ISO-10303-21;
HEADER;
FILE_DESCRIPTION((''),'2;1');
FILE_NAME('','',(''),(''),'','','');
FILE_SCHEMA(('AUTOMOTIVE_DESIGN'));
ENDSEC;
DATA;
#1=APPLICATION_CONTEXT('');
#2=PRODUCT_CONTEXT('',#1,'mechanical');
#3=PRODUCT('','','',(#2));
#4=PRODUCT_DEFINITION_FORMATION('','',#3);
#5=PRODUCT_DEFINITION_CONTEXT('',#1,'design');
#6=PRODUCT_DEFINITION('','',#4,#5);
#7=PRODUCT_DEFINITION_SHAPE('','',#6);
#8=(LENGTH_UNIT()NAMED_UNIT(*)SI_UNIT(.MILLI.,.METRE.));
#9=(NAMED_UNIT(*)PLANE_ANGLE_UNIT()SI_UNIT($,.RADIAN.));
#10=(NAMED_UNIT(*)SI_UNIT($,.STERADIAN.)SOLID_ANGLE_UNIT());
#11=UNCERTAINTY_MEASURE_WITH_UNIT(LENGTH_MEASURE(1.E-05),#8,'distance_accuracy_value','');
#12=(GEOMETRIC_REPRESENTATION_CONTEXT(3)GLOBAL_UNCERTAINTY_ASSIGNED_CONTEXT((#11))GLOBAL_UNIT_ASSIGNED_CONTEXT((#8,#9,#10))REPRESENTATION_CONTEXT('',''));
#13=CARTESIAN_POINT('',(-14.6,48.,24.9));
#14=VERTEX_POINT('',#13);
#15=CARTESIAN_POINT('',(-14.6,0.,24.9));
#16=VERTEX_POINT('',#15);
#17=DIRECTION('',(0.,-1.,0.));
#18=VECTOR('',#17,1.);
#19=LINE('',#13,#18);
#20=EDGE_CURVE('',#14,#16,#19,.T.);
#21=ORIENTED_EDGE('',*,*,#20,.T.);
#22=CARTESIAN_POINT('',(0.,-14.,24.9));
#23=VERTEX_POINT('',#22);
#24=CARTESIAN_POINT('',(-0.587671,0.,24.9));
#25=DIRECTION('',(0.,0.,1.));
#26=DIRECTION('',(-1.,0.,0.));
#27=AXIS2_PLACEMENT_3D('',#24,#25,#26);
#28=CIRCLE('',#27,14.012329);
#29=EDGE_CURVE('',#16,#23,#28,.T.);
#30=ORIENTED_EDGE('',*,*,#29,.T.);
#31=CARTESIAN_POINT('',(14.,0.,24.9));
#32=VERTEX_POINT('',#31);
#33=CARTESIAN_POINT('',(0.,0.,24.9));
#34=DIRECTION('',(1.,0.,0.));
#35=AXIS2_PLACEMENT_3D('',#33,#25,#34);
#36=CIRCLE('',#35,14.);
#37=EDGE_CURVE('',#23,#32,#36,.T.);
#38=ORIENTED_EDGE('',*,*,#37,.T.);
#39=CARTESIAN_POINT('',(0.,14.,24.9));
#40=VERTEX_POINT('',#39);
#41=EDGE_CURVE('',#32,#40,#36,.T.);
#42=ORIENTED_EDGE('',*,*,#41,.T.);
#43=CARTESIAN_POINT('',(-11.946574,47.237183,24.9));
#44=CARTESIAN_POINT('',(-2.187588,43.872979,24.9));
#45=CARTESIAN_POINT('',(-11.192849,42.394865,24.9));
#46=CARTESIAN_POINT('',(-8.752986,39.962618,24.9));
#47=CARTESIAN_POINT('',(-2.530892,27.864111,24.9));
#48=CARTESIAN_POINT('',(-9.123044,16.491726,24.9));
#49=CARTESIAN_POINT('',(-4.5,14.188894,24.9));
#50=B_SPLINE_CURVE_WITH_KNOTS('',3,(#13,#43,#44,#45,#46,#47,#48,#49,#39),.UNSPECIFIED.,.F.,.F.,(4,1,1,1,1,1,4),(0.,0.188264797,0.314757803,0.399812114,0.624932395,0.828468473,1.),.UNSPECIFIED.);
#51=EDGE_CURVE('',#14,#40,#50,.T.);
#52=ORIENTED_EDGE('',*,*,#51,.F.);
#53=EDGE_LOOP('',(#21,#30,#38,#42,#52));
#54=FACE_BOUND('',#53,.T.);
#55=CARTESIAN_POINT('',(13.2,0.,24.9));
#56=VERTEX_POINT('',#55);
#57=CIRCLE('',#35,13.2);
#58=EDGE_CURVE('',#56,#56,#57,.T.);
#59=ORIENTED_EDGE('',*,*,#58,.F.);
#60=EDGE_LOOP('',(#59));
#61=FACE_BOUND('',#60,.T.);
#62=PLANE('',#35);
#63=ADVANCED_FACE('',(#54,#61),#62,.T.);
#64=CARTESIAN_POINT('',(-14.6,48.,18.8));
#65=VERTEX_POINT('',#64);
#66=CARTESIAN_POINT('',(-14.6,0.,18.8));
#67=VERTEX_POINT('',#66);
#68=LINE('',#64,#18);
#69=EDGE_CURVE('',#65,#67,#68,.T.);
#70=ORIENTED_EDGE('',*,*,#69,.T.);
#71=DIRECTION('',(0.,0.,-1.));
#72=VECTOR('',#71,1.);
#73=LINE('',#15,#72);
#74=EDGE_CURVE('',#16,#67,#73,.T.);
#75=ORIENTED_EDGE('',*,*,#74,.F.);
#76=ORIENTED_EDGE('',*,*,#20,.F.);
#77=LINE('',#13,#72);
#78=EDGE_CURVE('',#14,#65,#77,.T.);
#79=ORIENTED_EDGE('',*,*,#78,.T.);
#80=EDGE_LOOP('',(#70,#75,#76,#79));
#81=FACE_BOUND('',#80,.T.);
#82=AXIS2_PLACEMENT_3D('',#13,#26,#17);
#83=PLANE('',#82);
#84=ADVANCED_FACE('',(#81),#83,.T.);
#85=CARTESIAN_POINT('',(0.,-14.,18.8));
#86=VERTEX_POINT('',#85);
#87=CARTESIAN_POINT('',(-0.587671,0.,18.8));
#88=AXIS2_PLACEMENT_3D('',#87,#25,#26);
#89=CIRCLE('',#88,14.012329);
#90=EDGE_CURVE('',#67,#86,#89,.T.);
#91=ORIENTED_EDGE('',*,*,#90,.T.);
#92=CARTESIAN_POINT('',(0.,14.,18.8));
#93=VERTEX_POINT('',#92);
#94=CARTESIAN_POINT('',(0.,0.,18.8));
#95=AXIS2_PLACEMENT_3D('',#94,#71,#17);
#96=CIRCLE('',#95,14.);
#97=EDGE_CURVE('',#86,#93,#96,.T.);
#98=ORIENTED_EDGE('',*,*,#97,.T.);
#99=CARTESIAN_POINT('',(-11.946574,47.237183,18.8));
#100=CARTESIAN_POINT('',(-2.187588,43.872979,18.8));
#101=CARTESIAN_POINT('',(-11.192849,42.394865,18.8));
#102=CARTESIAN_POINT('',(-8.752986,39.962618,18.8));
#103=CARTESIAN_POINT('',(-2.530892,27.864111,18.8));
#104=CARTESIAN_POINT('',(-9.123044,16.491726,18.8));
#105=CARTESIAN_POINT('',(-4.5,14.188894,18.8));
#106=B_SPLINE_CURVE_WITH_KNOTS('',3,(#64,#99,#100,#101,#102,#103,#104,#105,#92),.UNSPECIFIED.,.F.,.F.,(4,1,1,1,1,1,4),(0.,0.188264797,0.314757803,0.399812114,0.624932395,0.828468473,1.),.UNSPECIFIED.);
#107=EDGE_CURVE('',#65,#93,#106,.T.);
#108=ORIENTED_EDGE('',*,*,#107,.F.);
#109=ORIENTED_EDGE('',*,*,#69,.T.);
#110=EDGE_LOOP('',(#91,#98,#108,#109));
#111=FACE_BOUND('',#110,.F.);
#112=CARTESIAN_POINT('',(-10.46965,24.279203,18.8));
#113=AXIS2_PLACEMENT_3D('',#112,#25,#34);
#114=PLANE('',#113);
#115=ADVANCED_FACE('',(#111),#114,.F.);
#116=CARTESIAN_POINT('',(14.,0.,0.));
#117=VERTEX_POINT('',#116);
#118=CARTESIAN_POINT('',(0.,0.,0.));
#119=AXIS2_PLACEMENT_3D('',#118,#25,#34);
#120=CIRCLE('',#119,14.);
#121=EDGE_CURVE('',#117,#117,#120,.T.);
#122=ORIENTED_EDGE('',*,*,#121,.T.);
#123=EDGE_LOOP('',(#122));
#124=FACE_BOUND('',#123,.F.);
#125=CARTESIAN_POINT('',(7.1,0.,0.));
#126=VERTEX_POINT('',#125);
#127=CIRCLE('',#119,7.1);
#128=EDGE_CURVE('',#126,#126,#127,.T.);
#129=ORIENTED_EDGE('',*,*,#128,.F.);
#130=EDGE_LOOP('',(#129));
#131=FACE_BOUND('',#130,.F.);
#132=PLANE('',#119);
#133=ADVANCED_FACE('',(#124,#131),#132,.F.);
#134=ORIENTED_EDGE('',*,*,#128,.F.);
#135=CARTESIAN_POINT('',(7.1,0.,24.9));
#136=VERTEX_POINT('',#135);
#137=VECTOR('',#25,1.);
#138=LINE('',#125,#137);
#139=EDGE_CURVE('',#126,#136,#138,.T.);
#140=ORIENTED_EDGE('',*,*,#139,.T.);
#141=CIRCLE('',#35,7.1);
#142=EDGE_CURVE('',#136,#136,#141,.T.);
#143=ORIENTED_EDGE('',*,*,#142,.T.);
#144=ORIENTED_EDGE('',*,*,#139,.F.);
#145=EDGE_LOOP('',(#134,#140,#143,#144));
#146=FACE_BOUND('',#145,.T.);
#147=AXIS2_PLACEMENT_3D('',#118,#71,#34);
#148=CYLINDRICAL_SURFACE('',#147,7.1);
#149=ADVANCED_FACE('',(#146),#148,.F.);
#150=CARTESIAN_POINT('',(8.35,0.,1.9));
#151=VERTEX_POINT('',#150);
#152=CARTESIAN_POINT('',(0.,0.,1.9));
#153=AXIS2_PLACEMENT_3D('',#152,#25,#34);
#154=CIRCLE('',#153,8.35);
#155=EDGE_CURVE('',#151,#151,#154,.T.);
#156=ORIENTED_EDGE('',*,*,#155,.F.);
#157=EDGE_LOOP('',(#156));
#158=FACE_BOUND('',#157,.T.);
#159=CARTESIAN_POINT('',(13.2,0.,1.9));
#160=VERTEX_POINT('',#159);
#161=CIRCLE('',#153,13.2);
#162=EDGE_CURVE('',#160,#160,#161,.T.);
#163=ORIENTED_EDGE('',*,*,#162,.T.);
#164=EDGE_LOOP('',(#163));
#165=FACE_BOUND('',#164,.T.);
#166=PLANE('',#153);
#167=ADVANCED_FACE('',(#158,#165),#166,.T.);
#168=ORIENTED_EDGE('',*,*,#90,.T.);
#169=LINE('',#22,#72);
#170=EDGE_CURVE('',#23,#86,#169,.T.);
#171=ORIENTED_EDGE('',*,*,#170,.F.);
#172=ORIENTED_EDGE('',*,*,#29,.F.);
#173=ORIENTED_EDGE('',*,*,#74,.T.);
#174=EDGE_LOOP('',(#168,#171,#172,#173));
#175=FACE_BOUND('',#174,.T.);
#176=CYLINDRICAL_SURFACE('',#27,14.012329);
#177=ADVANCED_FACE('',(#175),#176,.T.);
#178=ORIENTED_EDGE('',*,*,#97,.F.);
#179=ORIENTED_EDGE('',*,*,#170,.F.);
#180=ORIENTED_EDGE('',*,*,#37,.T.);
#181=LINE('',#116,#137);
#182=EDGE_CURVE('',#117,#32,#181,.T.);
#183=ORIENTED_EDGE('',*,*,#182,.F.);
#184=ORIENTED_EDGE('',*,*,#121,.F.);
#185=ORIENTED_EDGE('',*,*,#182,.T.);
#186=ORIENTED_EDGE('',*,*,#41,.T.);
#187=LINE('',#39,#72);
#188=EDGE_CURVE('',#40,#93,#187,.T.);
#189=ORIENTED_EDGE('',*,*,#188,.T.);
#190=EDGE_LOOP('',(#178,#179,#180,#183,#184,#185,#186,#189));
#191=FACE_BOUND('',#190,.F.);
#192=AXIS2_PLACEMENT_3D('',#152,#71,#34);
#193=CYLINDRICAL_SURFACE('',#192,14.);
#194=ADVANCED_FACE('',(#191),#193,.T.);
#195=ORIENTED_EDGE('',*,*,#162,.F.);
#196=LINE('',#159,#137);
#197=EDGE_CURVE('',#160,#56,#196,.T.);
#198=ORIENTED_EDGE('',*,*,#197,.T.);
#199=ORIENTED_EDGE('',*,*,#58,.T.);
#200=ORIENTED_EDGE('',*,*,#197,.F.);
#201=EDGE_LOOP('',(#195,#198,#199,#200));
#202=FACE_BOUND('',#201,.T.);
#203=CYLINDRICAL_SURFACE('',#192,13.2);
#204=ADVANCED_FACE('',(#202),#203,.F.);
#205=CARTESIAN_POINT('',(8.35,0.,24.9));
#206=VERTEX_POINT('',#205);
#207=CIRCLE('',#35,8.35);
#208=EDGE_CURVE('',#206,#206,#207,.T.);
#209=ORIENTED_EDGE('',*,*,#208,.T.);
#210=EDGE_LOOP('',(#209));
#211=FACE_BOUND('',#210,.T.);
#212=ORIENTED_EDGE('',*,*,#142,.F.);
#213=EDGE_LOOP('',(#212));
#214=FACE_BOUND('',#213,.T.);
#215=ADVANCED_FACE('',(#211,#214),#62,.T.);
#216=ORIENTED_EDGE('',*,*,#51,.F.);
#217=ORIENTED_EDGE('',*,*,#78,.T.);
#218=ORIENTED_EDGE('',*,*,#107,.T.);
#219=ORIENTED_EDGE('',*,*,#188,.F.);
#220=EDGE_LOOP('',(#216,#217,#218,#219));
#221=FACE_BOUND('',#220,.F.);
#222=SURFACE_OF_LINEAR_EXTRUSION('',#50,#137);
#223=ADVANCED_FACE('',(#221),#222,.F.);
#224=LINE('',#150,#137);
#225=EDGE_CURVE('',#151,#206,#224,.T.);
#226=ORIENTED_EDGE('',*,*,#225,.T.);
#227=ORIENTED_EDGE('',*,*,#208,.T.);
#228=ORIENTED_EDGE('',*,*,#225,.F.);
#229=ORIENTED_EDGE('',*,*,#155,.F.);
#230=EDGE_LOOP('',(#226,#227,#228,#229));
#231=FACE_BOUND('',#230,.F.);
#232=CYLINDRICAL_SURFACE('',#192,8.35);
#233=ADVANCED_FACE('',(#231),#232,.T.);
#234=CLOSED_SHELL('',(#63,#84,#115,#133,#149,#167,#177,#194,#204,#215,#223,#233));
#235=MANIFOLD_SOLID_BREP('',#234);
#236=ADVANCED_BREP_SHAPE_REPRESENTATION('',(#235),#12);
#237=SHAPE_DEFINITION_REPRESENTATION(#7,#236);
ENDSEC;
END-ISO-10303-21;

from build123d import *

# Parameters (mm, degrees)
F0_R     = 14
F0_R_2   = 7.1
F1_DEPTH = 1.9
F2_R     = 14
F2_R_2   = 13.2
F2_R_3   = 8.35
F2_R_4   = 7.1
F3_DEPTH = 23
F5_DEPTH = 6.1


with BuildPart() as f1:
    # F0 (on Top) → F1 (new body)
    with BuildSketch(Plane.XY):
        Circle(F0_R)
        Circle(F0_R_2, mode=Mode.SUBTRACT)
    extrude(amount=F1_DEPTH)

    # F2 (on face) → F3 (join)
    with BuildSketch(Plane.XY.offset(1.9)):
        Circle(F2_R)
        Circle(F2_R_2, mode=Mode.SUBTRACT)
        Circle(F2_R_3)
        Circle(F2_R_4, mode=Mode.SUBTRACT)
    extrude(amount=F3_DEPTH)

    # F4 (on face) → F5 (join)
    with BuildSketch(Plane.XY.offset(24.9)):
        with BuildLine():
            ThreePointArc((-14.6, 0), (-10.2858853715, 10.1138518874), (0, 14))
            add(Edge.make_bspline(
                [(-14.6, 48), (-11.9465744766, 47.2371827902), (-2.1875877282, 43.8729786552), (-11.192849257, 42.3948646994), (-8.7529861135, 39.9626184312), (-2.5308920645, 27.8641112256), (-9.1230436748, 16.4917264415), (-4.5, 14.1888943249), (0, 14)],
                knots=[0, 0, 0, 0, 0.1882647973, 0.3147578034, 0.3998121143, 0.6249323947, 0.8284684728, 1, 1, 1, 1], degree=3))
            Line((-14.6, 48), (-14.6, 0))
        make_face()
        with BuildLine():
            ThreePointArc((0, -14), (-14, 0), (0, 14))
            ThreePointArc((0, 14), (-10.2858853715, 10.1138518874), (-14.6, 0))
            ThreePointArc((-14.6, 0), (-10.2858853715, -10.1138518874), (0, -14))
        make_face()
    extrude(amount=-F5_DEPTH)


solid = f1.part
